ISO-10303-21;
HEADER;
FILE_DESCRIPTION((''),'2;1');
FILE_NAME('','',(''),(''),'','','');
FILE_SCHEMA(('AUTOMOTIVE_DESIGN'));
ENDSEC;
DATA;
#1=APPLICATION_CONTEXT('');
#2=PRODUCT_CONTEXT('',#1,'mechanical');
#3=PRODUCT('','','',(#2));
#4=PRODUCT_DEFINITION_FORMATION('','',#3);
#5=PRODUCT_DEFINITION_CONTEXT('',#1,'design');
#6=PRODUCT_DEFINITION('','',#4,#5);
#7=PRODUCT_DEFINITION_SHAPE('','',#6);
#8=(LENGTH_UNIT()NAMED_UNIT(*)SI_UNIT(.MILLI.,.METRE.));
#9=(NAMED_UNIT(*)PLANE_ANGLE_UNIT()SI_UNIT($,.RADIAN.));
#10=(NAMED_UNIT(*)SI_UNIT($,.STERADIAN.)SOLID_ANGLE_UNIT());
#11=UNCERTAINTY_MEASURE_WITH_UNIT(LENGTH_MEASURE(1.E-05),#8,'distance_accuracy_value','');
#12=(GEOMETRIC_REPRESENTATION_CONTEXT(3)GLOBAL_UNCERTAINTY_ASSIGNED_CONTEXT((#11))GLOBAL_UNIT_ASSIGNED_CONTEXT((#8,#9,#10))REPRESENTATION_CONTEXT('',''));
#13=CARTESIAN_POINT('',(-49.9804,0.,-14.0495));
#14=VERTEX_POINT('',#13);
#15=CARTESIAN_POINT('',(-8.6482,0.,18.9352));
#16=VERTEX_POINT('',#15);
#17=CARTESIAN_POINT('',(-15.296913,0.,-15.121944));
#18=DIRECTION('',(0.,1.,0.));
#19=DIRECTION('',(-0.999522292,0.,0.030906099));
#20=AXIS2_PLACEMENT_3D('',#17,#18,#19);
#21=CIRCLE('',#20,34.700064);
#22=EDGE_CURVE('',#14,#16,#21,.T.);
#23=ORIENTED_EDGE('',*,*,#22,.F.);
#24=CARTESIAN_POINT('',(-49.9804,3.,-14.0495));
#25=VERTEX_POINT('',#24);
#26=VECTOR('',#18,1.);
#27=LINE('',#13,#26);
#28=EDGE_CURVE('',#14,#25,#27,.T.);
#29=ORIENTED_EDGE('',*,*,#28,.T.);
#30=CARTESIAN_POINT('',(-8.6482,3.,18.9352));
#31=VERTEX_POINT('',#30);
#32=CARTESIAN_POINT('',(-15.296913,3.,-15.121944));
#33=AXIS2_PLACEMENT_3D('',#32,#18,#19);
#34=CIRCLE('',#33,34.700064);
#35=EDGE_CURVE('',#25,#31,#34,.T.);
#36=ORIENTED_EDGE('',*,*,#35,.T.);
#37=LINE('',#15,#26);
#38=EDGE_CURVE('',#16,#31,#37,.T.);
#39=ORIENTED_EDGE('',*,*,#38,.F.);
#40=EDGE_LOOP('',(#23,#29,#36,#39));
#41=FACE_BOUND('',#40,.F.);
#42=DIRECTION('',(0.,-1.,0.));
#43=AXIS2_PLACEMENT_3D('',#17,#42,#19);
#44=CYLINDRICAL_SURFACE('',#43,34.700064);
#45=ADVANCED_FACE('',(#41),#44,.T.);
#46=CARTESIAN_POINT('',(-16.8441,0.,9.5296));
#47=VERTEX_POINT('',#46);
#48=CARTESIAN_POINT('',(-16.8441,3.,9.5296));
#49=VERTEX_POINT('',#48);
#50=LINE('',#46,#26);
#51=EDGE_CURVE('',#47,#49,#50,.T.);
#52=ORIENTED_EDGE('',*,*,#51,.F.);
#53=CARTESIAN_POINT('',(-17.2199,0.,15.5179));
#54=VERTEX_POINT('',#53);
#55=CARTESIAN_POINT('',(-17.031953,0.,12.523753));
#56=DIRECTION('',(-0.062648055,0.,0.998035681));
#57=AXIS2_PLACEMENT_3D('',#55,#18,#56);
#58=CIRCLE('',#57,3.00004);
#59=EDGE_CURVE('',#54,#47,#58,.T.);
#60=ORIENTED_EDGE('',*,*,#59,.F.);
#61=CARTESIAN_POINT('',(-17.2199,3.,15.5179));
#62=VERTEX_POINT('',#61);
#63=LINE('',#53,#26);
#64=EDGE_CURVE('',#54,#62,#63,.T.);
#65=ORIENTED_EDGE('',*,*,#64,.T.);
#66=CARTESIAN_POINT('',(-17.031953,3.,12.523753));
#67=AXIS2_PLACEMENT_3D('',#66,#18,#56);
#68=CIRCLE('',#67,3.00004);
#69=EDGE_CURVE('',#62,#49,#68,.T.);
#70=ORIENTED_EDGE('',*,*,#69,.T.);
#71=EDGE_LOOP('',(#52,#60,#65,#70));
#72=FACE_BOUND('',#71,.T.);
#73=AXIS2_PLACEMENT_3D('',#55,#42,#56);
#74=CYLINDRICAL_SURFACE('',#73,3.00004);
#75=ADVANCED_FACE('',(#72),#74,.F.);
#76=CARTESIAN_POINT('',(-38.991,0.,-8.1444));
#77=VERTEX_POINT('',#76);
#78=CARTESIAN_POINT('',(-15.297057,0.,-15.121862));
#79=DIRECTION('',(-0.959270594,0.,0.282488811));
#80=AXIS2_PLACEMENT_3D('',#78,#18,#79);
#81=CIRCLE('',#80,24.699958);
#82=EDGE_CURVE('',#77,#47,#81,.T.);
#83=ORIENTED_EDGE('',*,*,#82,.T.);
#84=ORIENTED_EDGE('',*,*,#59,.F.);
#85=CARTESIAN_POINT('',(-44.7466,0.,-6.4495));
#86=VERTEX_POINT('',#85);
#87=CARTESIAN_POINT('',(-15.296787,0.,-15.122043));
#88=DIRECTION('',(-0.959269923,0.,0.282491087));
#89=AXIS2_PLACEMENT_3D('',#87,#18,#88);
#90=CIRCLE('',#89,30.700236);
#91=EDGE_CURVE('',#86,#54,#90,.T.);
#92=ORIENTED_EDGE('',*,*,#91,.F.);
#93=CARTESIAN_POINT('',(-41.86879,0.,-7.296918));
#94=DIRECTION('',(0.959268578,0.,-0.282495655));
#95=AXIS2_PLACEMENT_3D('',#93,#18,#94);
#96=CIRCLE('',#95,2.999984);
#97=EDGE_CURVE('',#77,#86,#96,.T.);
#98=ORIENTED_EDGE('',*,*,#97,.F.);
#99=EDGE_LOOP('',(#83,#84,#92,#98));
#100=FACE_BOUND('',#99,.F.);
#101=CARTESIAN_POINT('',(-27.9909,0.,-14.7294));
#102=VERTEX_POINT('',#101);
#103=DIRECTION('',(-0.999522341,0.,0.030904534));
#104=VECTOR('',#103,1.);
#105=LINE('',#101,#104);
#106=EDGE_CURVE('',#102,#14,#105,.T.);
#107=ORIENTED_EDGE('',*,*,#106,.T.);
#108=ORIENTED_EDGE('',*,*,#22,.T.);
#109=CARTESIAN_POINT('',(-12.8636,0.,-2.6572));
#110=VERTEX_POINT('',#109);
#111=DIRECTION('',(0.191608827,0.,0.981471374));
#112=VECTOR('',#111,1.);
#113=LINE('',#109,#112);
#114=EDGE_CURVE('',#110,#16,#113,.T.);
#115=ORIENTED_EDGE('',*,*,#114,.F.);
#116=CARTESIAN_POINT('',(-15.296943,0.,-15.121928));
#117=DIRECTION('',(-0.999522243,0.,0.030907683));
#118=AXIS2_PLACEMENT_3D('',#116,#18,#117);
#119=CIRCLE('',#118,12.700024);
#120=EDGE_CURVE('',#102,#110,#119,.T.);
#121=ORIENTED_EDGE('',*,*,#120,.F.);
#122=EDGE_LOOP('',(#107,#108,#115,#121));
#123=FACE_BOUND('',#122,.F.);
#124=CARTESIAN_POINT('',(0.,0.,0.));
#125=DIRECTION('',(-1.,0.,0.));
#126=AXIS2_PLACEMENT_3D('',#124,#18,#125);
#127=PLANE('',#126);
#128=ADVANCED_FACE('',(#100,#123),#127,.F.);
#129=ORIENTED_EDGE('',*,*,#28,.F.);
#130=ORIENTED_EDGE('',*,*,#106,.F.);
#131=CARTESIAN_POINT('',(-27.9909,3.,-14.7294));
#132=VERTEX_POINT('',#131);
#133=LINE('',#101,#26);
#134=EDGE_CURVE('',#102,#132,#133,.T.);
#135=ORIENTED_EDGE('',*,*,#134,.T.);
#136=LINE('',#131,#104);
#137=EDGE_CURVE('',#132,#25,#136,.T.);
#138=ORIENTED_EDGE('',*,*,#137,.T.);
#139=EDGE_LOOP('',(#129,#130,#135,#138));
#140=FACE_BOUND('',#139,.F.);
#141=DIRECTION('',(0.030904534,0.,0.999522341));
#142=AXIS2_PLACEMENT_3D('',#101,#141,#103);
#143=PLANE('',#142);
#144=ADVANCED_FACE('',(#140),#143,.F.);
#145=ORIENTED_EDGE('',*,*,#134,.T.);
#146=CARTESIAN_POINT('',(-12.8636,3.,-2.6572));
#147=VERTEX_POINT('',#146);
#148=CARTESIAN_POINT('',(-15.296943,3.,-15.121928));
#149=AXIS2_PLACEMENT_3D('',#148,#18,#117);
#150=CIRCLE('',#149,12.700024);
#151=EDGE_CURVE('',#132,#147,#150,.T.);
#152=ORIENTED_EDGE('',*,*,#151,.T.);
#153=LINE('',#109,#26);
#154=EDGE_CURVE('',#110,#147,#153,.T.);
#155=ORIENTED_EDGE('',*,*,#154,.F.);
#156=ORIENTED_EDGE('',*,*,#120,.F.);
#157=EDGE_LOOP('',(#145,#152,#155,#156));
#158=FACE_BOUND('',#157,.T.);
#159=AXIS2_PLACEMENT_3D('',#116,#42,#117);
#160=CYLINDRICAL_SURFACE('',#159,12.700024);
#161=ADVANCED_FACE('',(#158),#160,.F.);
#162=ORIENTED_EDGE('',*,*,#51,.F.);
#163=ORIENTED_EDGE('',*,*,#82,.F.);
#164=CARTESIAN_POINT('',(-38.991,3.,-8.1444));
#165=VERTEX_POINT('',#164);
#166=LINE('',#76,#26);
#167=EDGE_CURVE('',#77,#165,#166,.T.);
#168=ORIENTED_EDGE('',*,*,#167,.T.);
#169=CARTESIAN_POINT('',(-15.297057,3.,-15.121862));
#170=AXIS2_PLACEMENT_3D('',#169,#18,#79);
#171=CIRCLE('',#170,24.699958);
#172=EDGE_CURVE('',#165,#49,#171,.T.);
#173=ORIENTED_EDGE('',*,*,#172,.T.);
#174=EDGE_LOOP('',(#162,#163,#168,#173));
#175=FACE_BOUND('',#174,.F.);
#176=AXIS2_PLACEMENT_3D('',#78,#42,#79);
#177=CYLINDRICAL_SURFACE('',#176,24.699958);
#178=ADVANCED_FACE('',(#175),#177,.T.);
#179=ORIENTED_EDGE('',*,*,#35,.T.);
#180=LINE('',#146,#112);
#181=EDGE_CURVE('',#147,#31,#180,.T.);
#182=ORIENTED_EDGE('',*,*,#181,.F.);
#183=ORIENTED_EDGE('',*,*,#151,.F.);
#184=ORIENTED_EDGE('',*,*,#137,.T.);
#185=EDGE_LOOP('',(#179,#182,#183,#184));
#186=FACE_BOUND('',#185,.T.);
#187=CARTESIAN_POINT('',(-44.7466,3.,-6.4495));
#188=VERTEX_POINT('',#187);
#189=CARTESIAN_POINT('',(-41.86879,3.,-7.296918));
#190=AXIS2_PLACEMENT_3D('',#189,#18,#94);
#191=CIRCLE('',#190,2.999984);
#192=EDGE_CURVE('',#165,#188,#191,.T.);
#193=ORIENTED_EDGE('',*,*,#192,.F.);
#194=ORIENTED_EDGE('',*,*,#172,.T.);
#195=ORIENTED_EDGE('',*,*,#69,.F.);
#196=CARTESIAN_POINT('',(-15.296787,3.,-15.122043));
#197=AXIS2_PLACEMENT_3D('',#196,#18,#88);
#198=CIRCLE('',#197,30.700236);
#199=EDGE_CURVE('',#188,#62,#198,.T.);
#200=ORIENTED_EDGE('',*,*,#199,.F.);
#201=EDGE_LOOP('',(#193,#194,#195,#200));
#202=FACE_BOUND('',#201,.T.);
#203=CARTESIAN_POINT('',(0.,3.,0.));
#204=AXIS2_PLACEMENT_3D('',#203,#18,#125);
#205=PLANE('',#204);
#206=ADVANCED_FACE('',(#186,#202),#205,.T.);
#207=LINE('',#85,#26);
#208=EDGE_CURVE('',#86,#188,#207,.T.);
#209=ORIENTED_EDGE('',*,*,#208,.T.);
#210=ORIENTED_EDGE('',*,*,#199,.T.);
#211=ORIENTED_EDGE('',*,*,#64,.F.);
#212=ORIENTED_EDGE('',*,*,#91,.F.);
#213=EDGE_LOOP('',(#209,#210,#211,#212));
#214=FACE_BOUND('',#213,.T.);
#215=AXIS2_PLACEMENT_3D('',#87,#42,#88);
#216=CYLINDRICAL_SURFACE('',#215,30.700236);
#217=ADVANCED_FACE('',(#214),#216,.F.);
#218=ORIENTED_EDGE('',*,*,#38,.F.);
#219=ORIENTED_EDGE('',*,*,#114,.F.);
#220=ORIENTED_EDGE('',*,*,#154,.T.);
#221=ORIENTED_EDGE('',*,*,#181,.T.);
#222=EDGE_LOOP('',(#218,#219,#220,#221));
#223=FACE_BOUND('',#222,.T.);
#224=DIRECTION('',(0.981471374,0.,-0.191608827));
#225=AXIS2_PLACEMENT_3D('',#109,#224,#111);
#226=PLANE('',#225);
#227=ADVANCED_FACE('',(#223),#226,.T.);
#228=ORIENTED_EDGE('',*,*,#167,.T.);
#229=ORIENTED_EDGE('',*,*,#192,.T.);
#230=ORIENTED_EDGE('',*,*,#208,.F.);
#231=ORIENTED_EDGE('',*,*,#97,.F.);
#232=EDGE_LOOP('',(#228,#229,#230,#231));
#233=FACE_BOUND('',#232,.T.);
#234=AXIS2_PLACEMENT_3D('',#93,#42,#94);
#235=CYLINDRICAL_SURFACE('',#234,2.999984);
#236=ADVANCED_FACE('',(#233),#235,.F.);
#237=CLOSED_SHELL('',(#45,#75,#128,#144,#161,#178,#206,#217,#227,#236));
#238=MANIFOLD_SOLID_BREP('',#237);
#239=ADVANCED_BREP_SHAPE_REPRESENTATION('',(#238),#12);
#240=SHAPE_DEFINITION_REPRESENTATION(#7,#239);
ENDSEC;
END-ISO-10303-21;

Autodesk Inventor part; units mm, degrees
ref_plane "YZ Plane" through (0, 0, 0) normal (1, 0, 0) x (0, 1, 0)
ref_plane "XZ Plane" through (0, 0, 0) normal (0, 1, 0) x (-1, 0, 0)
ref_plane "XY Plane" through (0, 0, 0) normal (0, 0, 1) x (1, 0, 0)
sketch "Sketch1" plane through (0, 0, 0) normal (0, 1, 0) x (-1, 0, 0)
  line L0 (-630.0209, 427.8421) -> (74.3603, 43.9414)
  line L1 (15.297, -15.1219) -> (53.6419, 55.2333) construction
  line L2 (16.0925, -2.4468) -> (17.9301, 26.8331) construction
  line L3 (27.4797, -11.5343) -> (48.5837, -5.3195) construction
  arc A0 (27.9909, -14.7294) -> (12.8636, -2.6572) centre (15.297, -15.1219) ccw
  circle A1 centre (15.297, -15.1219) radius 27.7 construction
  arc A2 (49.9804, -14.0495) -> (8.6482, 18.9352) centre (15.297, -15.1219) ccw
  arc A3 (38.991, -8.1444) -> (44.7466, -6.4495) centre (41.8688, -7.2969) ccw
  arc A4 (17.2199, 15.5179) -> (16.8441, 9.5296) centre (17.032, 12.5237) ccw
  line L4 (27.9909, -14.7294) -> (49.9804, -14.0495)
  line L5 (12.8636, -2.6572) -> (8.6482, 18.9352)
  arc A5 (44.7466, -6.4495) -> (17.2199, 15.5179) centre (15.297, -15.1219) ccw
  arc A6 (38.991, -8.1444) -> (16.8441, 9.5296) centre (15.297, -15.1219) ccw
  line L6 (15.297, -15.1219) -> (15.297, 30.9021) construction
  line L7 (15.297, -15.1219) -> (61.3209, -15.1219) construction
  point P0 (0, 0)
  dimension "d25" = 45
  dimension "d26" = 25
  dimension "d27" = 25.4
  dimension "d32" = 90
extrude "Extrusion1" add sketch "Sketch1" along normal blind 3
sketch "Sketch2" plane through (0, 0, 0) normal (0, -1, 0) x (1, 0, 0)
  line L0 (-15.297, -15.1219) -> (-49.2057, 27.3648)
  line L1 (-8.6482, 18.9352) -> (-12.8636, -2.6572) projected
  arc A0 (-17.2199, 15.5179) -> (-44.7466, -6.4495) centre (-15.297, -15.1219) ccw projected
  arc A1 (-16.8441, 9.5296) -> (-38.991, -8.1444) centre (-15.297, -15.1219) ccw projected
  circle A2 centre (-32.576, 6.5282) radius 3 construction
  point P0 (0, 0)
  point P1 (-15.297, -15.1219)
  dimension "d36" = 49.64
properties part number "Fixação Painel"
